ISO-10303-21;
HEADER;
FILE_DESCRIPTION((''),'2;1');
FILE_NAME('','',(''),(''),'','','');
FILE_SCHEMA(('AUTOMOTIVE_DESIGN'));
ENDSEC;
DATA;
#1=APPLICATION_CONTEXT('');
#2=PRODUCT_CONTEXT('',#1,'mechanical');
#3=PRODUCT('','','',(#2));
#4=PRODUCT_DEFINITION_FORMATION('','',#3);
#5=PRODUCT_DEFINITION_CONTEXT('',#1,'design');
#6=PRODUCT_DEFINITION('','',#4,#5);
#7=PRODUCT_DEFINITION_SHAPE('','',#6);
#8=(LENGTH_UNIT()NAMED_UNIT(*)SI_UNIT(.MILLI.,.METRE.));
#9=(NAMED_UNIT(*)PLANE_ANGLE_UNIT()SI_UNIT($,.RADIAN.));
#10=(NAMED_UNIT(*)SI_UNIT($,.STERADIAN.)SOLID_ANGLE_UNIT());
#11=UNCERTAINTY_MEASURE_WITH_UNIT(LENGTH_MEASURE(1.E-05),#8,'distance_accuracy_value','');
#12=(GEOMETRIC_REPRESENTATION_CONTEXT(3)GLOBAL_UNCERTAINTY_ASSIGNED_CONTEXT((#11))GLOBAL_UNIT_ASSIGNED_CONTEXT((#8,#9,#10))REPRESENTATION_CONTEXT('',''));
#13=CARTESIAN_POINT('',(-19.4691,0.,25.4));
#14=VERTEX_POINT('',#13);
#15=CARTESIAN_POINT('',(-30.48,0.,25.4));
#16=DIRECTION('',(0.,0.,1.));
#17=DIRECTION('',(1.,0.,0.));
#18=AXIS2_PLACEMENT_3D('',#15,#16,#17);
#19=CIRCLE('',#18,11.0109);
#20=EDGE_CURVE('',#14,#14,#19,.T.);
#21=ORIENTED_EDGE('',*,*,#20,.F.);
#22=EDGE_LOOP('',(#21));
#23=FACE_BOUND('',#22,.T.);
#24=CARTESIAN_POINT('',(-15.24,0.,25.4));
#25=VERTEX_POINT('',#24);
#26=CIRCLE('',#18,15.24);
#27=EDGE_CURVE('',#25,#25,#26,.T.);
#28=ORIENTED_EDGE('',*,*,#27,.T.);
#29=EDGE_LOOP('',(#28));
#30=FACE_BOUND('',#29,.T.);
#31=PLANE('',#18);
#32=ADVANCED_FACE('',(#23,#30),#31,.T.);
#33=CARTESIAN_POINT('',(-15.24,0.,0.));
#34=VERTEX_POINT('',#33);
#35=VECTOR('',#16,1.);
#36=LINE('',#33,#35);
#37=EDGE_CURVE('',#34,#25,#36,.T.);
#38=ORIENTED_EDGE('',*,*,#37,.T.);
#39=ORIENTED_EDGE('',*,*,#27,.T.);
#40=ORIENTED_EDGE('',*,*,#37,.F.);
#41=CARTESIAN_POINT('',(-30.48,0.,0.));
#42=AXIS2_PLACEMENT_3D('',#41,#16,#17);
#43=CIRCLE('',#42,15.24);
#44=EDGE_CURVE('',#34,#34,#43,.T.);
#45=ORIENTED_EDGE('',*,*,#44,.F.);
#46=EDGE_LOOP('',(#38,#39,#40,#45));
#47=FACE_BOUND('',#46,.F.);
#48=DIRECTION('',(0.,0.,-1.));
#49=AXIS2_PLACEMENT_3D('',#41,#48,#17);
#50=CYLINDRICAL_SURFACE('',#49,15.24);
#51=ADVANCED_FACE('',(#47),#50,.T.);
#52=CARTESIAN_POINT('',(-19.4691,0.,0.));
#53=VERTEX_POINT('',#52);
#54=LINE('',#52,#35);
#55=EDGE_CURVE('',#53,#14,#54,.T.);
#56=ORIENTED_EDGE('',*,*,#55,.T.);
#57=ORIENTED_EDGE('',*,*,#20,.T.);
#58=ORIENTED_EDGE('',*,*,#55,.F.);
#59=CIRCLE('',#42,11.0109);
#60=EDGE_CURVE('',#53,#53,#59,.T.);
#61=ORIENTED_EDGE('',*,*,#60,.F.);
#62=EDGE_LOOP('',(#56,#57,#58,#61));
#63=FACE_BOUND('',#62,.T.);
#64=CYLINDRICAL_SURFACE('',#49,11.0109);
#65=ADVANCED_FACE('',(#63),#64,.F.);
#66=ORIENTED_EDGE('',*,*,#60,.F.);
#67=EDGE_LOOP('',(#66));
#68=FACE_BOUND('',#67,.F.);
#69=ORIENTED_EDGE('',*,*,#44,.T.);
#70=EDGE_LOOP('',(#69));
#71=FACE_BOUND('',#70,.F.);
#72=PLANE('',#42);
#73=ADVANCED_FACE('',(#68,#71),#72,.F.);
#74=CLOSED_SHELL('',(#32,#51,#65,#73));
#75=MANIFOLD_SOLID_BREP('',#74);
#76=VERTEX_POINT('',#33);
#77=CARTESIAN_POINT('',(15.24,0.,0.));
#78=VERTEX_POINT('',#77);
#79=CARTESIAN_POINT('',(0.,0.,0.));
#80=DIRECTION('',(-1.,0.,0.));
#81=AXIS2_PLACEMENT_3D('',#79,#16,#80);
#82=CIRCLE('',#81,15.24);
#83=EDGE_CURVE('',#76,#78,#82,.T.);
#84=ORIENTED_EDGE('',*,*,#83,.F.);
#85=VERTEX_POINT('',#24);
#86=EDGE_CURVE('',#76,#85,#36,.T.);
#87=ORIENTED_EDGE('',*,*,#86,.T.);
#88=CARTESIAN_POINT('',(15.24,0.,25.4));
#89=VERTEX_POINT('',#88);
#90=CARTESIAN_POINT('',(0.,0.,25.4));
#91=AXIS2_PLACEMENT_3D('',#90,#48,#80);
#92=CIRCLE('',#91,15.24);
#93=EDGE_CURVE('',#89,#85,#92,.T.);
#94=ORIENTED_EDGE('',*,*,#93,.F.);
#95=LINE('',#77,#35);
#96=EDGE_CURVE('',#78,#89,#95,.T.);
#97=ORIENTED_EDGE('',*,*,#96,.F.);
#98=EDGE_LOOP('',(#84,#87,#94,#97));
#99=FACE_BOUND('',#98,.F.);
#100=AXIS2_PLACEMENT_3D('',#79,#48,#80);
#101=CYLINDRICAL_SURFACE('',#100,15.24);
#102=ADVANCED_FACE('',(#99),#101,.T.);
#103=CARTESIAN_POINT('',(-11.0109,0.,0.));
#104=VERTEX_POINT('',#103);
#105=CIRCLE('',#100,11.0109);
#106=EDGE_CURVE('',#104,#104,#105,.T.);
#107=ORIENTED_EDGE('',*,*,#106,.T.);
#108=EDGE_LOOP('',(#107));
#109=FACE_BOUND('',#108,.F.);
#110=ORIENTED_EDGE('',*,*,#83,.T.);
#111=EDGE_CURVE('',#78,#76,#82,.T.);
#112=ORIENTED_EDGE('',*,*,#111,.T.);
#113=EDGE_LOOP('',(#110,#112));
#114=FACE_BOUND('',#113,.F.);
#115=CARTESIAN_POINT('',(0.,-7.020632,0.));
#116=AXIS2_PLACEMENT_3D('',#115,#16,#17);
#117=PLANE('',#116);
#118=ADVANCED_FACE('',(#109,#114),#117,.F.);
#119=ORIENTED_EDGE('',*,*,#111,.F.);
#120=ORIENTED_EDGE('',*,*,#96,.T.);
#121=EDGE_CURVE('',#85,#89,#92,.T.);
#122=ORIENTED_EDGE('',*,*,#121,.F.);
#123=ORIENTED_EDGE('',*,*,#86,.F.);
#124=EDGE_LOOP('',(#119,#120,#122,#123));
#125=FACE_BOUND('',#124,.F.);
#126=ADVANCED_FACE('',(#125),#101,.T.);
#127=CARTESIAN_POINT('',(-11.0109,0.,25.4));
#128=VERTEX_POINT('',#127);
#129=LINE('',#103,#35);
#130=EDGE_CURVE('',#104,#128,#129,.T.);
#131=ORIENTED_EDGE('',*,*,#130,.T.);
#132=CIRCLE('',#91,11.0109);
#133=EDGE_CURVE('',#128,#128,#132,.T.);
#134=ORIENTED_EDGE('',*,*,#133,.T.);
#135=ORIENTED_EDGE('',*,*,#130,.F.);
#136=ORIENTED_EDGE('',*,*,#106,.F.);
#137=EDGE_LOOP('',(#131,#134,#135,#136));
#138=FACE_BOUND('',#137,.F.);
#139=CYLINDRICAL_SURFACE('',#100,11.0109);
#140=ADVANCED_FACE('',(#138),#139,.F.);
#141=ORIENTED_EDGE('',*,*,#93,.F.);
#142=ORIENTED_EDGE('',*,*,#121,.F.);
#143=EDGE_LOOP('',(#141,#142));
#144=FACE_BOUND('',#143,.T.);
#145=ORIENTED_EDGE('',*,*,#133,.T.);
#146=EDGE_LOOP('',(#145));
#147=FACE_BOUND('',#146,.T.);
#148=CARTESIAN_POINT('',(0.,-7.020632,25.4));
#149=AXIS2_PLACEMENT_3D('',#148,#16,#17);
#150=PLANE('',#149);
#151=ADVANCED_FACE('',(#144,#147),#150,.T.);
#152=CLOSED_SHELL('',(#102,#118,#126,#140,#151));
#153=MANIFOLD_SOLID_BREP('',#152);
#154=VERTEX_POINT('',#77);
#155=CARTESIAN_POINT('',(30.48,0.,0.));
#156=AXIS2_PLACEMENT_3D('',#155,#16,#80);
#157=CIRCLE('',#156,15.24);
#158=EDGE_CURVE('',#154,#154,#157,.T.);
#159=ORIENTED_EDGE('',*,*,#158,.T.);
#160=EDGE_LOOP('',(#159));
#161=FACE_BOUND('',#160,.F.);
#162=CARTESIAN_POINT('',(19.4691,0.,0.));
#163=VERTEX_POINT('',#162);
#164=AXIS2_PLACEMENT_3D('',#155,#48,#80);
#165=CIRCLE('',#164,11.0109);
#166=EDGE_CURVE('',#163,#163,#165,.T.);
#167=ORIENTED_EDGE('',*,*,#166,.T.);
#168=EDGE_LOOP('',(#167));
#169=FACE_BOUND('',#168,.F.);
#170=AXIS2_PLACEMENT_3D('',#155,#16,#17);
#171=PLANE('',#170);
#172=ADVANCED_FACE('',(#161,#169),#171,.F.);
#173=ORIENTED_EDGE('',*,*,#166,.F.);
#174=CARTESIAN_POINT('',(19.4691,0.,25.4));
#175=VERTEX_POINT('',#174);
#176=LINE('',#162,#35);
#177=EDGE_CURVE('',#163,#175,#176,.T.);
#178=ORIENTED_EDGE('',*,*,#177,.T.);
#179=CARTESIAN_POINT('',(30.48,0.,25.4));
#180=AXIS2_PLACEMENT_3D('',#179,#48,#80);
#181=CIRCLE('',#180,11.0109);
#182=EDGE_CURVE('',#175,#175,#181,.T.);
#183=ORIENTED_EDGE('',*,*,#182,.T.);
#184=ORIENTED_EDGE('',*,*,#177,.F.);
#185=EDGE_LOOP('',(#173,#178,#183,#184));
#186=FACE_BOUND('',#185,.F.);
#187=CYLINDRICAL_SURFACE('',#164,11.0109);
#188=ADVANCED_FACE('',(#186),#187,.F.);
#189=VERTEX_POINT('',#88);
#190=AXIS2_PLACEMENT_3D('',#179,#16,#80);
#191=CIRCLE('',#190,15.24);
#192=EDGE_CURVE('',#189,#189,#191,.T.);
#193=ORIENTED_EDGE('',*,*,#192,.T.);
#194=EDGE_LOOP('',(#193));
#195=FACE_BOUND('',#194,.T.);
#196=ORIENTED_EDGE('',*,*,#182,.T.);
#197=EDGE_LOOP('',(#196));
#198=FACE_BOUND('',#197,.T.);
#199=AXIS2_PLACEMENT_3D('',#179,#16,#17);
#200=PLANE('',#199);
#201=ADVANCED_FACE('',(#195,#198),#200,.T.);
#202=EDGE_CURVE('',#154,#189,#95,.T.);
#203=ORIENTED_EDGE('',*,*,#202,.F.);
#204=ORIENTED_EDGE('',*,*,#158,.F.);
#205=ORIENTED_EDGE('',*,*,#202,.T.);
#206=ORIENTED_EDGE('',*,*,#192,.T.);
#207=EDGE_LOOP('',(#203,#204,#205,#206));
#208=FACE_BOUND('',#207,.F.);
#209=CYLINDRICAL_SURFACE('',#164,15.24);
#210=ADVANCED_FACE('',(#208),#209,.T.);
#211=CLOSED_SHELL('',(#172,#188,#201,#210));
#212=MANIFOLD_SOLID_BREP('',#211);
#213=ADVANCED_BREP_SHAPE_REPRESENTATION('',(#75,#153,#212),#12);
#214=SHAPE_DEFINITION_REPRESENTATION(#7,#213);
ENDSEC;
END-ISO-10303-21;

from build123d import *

# Parameters (mm, degrees)
F0_R     = 11.0109
F0_R_2   = 15.24
F1_DEPTH = 25.4


with BuildPart() as f1:
    # F0 (on Top) → F1 (new body)
    with BuildSketch(Plane.XY):
        with BuildLine():
            Line((15.24, 0), (11.0109, 0))
            ThreePointArc((11.0109, 0), (0, -11.0109), (-11.0109, 0))
            Line((-11.0109, 0), (-15.24, 0))
            ThreePointArc((-15.24, 0), (0, -15.24), (15.24, 0))
        make_face()
        with BuildLine():
            ThreePointArc((-11.0109, 0), (0, 11.0109), (11.0109, 0))
            Line((11.0109, 0), (15.24, 0))
            ThreePointArc((15.24, 0), (0, 15.24), (-15.24, 0))
            Line((-15.24, 0), (-11.0109, 0))
        make_face()
        with BuildLine():
            ThreePointArc((41.4909, 0), (30.48, 11.0109), (19.4691, 0))
            ThreePointArc((19.4691, 0), (30.48, -11.0109), (41.4909, 0))
        make_face()
        with Locations((-30.48, 0)):
            Circle(F0_R)
        with Locations((-30.48, 0)):
            Circle(F0_R_2)
        with Locations((-30.48, 0)):
            Circle(F0_R, mode=Mode.SUBTRACT)
        with BuildLine():
            ThreePointArc((45.72, 0), (30.48, 15.24), (15.24, 0))
            ThreePointArc((15.24, 0), (30.48, -15.24), (45.72, 0))
        make_face()
        with BuildLine():
            ThreePointArc((41.4909, 0), (30.48, -11.0109), (19.4691, 0))
            ThreePointArc((19.4691, 0), (30.48, 11.0109), (41.4909, 0))
        make_face(mode=Mode.SUBTRACT)
    extrude(amount=F1_DEPTH)


solid = f1.part
